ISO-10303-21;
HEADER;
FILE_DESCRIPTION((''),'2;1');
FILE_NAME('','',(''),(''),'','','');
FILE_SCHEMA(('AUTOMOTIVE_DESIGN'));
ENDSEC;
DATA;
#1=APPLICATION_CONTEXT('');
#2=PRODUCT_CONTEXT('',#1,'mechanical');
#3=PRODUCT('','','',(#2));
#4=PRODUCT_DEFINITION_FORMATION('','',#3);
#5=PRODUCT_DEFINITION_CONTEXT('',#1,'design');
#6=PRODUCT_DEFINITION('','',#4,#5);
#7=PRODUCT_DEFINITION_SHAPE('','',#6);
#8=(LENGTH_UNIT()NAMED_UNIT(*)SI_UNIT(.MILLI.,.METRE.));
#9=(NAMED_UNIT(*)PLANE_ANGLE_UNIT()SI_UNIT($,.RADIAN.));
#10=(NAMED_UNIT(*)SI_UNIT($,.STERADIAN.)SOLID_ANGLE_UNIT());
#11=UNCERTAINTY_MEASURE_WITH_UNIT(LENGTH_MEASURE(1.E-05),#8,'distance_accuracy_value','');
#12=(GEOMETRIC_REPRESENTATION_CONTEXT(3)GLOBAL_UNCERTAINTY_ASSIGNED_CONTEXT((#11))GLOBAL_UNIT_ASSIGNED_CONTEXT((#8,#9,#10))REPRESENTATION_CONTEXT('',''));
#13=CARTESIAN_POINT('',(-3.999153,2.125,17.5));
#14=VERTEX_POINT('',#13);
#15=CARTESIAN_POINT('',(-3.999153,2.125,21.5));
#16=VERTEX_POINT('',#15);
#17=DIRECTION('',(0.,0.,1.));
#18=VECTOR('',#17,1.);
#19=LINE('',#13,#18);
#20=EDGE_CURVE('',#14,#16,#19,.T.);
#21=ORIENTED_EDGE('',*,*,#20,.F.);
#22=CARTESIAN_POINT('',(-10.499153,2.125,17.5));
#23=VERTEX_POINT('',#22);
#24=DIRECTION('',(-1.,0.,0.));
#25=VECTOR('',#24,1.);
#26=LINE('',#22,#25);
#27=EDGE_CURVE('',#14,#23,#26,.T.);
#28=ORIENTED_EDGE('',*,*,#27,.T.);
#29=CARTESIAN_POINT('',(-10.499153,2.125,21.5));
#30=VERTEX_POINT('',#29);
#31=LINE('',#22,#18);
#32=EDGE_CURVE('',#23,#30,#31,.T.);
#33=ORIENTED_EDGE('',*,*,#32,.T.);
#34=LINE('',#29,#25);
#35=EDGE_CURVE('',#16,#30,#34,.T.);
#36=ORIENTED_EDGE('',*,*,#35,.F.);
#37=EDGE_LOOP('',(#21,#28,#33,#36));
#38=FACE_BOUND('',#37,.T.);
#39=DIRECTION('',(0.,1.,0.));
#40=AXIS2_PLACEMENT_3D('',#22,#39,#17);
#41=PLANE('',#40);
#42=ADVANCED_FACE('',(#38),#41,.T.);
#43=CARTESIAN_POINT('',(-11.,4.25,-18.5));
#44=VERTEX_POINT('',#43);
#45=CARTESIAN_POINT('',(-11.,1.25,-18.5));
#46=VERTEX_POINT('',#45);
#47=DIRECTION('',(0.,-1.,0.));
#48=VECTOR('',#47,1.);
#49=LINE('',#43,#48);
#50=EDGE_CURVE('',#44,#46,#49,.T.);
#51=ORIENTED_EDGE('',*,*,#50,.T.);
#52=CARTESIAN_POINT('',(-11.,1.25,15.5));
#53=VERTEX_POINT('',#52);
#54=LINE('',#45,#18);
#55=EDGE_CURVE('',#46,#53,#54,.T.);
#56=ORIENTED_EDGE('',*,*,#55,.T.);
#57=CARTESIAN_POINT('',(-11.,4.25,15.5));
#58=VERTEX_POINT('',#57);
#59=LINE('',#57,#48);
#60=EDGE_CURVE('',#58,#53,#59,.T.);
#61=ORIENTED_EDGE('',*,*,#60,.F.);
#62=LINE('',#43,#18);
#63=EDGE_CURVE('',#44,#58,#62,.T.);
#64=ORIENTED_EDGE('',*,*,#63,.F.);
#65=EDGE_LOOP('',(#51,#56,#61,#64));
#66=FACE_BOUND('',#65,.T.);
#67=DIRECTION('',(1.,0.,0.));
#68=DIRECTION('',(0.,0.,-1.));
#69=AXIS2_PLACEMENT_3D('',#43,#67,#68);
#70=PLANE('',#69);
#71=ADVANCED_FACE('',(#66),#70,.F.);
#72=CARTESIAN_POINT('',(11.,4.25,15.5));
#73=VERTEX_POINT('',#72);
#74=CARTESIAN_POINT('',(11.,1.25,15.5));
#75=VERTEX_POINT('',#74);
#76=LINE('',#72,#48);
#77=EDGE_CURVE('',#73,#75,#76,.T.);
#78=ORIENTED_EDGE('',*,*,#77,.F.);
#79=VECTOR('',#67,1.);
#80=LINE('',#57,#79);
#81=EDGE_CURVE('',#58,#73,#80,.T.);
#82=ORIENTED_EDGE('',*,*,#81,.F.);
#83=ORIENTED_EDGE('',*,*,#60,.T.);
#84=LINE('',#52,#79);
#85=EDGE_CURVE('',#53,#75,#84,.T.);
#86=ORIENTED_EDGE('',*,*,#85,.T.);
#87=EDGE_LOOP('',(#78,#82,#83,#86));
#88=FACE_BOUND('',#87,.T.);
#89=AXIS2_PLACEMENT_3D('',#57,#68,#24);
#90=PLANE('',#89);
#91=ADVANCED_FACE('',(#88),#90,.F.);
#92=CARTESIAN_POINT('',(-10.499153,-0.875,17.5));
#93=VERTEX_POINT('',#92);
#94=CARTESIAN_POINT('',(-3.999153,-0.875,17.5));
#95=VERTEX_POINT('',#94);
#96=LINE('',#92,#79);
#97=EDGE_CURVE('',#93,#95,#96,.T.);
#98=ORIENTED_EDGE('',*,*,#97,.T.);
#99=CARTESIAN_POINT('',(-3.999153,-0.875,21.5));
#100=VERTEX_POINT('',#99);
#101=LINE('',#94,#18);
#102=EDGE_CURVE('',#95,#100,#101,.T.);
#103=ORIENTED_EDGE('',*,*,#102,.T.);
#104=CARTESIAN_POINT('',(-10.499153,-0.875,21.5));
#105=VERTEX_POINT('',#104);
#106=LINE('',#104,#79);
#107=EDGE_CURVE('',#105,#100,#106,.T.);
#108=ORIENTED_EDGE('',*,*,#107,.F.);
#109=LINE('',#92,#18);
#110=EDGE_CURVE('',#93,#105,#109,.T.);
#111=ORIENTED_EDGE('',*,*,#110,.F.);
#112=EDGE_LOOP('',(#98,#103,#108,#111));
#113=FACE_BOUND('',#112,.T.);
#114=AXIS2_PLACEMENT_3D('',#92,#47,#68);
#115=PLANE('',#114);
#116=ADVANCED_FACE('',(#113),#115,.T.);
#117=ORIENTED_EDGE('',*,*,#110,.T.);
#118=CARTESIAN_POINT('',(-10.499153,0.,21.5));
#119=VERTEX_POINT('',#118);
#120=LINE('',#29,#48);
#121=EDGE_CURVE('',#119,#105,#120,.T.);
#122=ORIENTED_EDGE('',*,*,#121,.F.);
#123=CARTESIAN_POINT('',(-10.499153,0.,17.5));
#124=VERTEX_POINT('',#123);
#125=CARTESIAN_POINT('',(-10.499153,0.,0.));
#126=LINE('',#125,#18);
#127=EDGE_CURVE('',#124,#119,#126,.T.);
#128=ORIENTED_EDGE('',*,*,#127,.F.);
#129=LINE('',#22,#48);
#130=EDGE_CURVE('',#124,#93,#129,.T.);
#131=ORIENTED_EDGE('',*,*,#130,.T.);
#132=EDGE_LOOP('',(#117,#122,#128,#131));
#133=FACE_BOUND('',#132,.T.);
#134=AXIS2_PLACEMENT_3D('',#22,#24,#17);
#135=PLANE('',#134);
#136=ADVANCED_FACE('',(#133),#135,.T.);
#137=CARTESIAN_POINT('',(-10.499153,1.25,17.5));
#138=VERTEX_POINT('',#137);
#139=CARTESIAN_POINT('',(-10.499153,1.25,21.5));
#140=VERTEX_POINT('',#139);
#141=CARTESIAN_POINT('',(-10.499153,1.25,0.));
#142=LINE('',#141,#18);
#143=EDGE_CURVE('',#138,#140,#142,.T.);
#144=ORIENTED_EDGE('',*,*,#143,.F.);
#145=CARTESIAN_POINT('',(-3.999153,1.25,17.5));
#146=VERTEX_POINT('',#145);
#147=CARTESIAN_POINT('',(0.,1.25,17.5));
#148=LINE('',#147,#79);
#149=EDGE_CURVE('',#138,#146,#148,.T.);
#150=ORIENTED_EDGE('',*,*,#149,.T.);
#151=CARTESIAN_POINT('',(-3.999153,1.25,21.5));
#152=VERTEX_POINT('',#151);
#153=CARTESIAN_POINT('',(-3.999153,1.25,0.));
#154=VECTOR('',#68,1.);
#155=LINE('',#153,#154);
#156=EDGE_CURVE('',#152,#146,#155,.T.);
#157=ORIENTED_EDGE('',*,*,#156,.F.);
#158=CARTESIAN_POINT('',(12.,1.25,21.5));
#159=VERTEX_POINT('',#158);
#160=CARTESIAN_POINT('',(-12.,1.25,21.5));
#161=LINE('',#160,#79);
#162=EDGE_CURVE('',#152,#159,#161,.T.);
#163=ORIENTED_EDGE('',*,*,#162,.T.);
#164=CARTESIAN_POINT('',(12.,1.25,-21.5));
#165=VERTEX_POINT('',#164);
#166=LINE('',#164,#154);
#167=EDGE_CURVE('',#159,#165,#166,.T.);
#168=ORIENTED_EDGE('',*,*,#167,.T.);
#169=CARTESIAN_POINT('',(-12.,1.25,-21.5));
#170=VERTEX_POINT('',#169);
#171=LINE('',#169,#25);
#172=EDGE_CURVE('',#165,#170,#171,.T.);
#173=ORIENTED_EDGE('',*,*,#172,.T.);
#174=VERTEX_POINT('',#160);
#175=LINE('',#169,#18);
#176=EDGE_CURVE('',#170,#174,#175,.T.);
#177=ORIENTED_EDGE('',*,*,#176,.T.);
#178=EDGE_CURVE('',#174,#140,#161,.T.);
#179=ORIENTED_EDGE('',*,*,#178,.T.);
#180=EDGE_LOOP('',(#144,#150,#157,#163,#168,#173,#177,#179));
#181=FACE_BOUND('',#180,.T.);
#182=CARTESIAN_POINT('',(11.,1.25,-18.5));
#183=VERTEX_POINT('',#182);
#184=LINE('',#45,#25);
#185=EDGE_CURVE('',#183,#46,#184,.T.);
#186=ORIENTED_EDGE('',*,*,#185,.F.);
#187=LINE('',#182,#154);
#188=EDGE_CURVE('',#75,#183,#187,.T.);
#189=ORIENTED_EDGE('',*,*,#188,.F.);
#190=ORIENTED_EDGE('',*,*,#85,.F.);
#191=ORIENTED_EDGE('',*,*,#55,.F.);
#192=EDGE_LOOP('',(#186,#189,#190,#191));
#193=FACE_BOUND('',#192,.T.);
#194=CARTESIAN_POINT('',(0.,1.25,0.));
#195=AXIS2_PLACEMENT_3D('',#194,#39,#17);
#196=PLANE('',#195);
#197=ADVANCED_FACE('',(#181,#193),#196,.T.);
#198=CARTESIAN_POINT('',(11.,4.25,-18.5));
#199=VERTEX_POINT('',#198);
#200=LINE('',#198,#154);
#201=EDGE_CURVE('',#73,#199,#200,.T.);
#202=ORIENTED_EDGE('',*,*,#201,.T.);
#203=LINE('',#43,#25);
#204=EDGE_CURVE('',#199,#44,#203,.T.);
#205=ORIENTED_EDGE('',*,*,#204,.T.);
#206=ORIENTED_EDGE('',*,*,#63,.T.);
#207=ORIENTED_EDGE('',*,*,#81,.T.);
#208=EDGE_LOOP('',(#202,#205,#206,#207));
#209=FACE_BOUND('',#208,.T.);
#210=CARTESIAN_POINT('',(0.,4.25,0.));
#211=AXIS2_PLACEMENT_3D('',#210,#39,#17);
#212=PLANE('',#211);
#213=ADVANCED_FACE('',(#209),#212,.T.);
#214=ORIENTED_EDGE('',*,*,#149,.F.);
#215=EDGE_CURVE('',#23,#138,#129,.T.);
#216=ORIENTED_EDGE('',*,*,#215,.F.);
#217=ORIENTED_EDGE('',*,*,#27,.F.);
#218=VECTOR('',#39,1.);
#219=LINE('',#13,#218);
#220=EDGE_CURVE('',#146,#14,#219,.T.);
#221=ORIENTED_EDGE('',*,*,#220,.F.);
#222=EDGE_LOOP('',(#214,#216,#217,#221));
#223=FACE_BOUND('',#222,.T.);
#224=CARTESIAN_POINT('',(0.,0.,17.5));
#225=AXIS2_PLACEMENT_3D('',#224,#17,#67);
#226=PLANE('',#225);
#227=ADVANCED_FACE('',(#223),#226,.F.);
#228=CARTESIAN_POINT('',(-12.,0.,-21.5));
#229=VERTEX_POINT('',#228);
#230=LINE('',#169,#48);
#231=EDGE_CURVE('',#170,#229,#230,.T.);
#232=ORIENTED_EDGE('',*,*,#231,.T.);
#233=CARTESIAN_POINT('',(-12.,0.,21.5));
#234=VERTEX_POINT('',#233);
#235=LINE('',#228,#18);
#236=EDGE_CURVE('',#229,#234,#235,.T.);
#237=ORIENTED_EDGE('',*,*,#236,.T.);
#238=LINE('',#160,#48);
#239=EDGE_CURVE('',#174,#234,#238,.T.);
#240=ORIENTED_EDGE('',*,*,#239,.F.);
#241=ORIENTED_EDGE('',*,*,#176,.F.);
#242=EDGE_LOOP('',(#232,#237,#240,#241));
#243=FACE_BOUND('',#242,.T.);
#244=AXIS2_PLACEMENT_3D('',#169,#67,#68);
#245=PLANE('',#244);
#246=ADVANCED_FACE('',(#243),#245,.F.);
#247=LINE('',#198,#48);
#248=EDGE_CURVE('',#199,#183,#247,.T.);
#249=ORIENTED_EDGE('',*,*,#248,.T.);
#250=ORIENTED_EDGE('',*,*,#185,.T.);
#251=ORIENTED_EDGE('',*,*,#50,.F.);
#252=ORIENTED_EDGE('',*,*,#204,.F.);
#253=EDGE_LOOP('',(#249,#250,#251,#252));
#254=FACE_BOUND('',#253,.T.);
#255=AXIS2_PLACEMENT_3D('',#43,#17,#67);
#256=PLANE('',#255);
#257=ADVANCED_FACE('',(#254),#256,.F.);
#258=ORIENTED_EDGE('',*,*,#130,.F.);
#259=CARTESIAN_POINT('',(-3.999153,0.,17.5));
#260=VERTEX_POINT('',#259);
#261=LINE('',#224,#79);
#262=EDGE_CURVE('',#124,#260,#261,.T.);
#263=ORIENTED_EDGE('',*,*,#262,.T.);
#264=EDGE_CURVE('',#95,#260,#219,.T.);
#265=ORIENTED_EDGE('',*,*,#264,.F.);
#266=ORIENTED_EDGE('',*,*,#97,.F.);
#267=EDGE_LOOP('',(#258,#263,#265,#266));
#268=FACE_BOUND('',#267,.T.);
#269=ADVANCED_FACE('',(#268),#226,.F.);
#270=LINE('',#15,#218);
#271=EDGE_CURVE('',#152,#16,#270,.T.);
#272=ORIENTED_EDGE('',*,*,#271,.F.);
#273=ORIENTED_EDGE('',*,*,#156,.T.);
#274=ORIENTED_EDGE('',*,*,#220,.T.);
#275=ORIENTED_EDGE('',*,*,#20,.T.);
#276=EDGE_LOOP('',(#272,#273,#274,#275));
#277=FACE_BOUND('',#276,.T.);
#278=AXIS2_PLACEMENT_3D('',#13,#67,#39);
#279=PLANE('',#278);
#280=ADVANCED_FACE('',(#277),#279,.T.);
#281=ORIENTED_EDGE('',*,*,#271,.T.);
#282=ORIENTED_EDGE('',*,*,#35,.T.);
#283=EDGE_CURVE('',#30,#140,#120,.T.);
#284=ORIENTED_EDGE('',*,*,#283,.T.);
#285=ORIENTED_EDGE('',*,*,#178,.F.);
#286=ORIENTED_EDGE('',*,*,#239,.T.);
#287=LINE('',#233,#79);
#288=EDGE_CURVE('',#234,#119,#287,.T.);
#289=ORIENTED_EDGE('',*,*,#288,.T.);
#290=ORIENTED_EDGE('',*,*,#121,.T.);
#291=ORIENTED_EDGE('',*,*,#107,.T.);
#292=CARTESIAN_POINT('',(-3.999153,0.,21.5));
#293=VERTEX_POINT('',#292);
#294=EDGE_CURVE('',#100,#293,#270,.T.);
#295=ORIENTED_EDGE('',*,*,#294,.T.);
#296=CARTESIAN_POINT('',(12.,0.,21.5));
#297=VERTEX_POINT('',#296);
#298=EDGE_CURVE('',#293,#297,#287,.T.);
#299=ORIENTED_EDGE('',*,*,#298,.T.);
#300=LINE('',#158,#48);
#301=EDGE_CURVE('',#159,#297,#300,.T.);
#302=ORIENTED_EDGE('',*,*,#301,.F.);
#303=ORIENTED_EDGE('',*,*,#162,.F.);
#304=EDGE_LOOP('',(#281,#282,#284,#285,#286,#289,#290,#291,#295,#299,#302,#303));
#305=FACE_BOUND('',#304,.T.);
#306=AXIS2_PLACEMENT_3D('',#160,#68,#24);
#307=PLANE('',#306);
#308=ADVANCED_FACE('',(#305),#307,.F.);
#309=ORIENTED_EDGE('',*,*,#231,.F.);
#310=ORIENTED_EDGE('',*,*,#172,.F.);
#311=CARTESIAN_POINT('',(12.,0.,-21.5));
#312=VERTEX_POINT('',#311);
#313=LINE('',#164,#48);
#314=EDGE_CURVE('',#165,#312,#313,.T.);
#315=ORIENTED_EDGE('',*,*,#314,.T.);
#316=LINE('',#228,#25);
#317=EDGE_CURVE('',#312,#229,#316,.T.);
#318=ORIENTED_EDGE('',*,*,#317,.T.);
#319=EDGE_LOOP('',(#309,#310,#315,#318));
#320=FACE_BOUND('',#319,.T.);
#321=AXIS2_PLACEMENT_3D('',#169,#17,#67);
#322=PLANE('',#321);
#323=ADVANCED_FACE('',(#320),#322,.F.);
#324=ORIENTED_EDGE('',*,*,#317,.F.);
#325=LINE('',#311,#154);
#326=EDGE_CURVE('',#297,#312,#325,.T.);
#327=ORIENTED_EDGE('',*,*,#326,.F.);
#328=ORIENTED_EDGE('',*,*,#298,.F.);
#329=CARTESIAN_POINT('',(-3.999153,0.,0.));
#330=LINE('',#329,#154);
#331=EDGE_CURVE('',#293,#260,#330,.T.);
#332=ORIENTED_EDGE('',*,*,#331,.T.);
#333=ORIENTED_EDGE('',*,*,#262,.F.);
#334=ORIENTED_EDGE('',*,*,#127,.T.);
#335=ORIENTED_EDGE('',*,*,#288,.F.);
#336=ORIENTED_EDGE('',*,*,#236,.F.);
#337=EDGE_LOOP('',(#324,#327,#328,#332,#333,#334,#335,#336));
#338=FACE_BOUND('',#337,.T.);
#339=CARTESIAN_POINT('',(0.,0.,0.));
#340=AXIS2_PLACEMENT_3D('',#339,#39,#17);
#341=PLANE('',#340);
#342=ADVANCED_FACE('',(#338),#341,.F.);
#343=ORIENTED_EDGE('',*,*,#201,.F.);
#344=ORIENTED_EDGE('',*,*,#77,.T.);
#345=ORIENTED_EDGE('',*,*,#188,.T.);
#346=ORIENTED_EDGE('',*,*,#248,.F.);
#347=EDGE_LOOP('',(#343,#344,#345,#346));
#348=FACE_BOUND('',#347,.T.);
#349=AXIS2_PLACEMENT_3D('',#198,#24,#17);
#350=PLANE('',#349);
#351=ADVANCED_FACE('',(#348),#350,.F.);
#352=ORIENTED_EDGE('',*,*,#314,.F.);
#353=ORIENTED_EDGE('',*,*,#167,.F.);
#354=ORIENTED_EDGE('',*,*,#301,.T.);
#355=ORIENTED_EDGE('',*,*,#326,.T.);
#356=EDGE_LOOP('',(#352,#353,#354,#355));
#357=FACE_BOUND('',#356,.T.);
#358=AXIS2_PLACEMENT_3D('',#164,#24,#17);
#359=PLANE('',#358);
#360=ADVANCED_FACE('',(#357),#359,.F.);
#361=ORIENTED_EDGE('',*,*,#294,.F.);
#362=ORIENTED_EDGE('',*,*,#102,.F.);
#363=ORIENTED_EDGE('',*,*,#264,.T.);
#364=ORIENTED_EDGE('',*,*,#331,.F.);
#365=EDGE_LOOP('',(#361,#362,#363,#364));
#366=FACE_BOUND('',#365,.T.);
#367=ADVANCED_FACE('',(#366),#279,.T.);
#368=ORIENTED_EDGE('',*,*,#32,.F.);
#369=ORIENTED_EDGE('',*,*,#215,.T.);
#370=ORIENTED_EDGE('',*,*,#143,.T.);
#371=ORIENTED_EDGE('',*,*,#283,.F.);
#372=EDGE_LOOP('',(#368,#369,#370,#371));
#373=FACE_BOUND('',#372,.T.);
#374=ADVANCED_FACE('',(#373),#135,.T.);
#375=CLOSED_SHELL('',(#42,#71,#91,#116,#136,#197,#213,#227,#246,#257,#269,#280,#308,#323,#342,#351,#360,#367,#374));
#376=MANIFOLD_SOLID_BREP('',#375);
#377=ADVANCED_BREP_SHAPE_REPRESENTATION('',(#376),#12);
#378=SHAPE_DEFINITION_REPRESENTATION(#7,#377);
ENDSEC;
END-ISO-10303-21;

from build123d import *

# Parameters (mm, degrees)
SKETCH1_W       = 24
SKETCH1_H       = 43
PCB_DEPTH       = 1.25
SKETCH2_W       = 22
SKETCH2_H       = 34
RF_CASING_DEPTH = 3
SKETCH5_W       = 6.5
SKETCH5_H       = 3
PINS_DEPTH      = 4


with BuildPart() as part:
    # Sketch1 → PCB (new body)
    with BuildSketch(Plane(origin=(0, 0, 0), x_dir=(1, 0, 0), z_dir=(0, 1, 0))):
        Rectangle(SKETCH1_W, SKETCH1_H)
    extrude(amount=PCB_DEPTH)

    # Sketch2 → RF Casing (add)
    with BuildSketch(Plane(origin=(0, 1.25, 0), x_dir=(1, 0, 0), z_dir=(0, 1, 0))):
        with Locations((0, 1.5)):
            Rectangle(SKETCH2_W, SKETCH2_H)
    extrude(amount=RF_CASING_DEPTH)

    # Sketch5 → Pins (add)
    with BuildSketch(Plane.XY.offset(21.5)):
        with Locations((-7.249153049, 0.625)):
            Rectangle(SKETCH5_W, SKETCH5_H)
    extrude(amount=-PINS_DEPTH)


solid = part.part
